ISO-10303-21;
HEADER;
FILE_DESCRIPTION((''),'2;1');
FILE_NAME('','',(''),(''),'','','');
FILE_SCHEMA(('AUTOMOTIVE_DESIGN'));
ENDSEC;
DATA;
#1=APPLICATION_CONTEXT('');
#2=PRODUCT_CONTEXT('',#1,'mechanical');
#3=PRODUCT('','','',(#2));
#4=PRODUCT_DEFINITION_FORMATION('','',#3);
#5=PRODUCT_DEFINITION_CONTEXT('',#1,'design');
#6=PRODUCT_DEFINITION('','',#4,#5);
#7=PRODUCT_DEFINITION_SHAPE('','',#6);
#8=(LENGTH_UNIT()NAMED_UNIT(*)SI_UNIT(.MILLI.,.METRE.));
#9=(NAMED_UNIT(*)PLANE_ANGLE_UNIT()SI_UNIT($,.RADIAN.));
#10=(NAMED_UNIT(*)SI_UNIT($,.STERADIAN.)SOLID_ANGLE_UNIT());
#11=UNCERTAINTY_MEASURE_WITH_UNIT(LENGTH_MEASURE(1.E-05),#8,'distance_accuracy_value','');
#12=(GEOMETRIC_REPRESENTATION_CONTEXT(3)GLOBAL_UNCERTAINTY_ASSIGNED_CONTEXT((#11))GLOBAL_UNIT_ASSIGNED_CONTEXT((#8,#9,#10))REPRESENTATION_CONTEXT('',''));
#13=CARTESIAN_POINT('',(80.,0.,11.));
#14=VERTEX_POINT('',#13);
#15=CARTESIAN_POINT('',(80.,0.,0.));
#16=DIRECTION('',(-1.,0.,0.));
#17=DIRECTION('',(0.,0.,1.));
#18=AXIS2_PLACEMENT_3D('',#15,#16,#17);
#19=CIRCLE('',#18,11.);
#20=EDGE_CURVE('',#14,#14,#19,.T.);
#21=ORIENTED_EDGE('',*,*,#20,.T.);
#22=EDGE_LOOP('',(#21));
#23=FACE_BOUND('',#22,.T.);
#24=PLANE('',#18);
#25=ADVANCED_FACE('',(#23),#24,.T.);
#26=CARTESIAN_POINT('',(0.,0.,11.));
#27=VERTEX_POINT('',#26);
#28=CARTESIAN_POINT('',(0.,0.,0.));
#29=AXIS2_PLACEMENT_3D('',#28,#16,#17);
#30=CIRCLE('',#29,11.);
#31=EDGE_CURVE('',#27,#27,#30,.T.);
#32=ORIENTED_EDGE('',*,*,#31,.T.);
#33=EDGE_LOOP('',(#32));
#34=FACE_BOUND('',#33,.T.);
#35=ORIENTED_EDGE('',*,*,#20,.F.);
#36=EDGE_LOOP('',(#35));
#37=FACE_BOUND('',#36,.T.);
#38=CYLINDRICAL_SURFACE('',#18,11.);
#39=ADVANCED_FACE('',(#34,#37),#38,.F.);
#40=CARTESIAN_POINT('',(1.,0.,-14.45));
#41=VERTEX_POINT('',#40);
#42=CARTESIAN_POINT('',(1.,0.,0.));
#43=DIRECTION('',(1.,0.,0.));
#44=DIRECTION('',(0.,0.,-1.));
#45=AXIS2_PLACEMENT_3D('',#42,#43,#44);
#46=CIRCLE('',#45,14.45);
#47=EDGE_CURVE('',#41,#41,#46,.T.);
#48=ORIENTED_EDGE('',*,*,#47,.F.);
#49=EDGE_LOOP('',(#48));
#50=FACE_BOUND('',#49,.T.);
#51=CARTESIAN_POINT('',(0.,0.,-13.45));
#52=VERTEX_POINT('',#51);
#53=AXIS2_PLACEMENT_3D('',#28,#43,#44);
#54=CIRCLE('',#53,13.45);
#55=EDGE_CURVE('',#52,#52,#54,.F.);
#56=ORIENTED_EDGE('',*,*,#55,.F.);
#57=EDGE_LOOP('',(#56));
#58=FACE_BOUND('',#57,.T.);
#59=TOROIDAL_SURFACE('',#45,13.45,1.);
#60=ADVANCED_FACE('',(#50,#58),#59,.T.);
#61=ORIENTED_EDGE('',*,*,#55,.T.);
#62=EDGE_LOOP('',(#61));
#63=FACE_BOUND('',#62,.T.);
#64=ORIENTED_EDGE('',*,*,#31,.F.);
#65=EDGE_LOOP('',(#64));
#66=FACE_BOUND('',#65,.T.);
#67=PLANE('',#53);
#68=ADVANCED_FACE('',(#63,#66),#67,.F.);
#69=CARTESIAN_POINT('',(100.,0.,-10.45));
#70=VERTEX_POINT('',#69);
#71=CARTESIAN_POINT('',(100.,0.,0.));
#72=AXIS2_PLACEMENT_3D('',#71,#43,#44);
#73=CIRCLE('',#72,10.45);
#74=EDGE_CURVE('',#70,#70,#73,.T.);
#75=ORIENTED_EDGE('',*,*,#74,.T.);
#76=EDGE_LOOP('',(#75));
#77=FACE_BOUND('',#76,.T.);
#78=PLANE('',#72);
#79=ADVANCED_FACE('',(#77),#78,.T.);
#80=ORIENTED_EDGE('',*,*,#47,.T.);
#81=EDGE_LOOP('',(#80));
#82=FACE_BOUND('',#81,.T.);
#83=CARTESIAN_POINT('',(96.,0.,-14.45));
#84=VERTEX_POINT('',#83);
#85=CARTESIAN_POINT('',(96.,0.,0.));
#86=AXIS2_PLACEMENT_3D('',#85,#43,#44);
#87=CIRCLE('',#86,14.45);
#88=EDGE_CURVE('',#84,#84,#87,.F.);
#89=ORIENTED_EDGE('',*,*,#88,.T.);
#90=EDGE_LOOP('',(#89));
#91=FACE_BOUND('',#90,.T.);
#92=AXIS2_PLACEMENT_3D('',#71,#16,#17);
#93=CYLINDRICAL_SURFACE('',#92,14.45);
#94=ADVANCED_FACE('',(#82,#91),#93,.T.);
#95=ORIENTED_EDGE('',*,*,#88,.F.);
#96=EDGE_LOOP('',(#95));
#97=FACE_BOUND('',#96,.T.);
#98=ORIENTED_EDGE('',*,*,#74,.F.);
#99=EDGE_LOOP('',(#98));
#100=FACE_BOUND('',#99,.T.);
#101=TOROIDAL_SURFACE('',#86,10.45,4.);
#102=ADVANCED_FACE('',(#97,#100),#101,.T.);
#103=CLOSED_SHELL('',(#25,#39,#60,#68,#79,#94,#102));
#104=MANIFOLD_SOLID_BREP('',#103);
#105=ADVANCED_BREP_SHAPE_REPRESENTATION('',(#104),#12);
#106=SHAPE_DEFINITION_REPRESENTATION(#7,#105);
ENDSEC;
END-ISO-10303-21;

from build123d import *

# Parameters (mm, degrees)
SKETCH1_R           = 14.45
BOSS_EXTRUDE1_DEPTH = 100
FILLET1_R           = 4
SKETCH3_R           = 11
CUT_EXTRUDE1_DEPTH  = 80
FILLET2_R           = 1


with BuildPart() as part:
    # Sketch1 → Boss-Extrude1 (new body)
    with BuildSketch(Plane(origin=(0, 0, 0), x_dir=(0, 0, -1), z_dir=(1, 0, 0))):
        Circle(SKETCH1_R)
    extrude(amount=BOSS_EXTRUDE1_DEPTH)

    # Fillet1
    fillet1_edges = [part.edges().sort_by_distance(p)[0] for p in [
        (100, 0, 14.45),
    ]]
    fillet(fillet1_edges, radius=FILLET1_R)

    # Sketch3 → Cut-Extrude1 (cut)
    with BuildSketch(Plane.ZY):
        Circle(SKETCH3_R)
    extrude(amount=-CUT_EXTRUDE1_DEPTH, mode=Mode.SUBTRACT)

    # Fillet2
    fillet2_edges = [part.edges().sort_by_distance(p)[0] for p in [
        (0, 0, 14.45),
    ]]
    fillet(fillet2_edges, radius=FILLET2_R)


solid = part.part
